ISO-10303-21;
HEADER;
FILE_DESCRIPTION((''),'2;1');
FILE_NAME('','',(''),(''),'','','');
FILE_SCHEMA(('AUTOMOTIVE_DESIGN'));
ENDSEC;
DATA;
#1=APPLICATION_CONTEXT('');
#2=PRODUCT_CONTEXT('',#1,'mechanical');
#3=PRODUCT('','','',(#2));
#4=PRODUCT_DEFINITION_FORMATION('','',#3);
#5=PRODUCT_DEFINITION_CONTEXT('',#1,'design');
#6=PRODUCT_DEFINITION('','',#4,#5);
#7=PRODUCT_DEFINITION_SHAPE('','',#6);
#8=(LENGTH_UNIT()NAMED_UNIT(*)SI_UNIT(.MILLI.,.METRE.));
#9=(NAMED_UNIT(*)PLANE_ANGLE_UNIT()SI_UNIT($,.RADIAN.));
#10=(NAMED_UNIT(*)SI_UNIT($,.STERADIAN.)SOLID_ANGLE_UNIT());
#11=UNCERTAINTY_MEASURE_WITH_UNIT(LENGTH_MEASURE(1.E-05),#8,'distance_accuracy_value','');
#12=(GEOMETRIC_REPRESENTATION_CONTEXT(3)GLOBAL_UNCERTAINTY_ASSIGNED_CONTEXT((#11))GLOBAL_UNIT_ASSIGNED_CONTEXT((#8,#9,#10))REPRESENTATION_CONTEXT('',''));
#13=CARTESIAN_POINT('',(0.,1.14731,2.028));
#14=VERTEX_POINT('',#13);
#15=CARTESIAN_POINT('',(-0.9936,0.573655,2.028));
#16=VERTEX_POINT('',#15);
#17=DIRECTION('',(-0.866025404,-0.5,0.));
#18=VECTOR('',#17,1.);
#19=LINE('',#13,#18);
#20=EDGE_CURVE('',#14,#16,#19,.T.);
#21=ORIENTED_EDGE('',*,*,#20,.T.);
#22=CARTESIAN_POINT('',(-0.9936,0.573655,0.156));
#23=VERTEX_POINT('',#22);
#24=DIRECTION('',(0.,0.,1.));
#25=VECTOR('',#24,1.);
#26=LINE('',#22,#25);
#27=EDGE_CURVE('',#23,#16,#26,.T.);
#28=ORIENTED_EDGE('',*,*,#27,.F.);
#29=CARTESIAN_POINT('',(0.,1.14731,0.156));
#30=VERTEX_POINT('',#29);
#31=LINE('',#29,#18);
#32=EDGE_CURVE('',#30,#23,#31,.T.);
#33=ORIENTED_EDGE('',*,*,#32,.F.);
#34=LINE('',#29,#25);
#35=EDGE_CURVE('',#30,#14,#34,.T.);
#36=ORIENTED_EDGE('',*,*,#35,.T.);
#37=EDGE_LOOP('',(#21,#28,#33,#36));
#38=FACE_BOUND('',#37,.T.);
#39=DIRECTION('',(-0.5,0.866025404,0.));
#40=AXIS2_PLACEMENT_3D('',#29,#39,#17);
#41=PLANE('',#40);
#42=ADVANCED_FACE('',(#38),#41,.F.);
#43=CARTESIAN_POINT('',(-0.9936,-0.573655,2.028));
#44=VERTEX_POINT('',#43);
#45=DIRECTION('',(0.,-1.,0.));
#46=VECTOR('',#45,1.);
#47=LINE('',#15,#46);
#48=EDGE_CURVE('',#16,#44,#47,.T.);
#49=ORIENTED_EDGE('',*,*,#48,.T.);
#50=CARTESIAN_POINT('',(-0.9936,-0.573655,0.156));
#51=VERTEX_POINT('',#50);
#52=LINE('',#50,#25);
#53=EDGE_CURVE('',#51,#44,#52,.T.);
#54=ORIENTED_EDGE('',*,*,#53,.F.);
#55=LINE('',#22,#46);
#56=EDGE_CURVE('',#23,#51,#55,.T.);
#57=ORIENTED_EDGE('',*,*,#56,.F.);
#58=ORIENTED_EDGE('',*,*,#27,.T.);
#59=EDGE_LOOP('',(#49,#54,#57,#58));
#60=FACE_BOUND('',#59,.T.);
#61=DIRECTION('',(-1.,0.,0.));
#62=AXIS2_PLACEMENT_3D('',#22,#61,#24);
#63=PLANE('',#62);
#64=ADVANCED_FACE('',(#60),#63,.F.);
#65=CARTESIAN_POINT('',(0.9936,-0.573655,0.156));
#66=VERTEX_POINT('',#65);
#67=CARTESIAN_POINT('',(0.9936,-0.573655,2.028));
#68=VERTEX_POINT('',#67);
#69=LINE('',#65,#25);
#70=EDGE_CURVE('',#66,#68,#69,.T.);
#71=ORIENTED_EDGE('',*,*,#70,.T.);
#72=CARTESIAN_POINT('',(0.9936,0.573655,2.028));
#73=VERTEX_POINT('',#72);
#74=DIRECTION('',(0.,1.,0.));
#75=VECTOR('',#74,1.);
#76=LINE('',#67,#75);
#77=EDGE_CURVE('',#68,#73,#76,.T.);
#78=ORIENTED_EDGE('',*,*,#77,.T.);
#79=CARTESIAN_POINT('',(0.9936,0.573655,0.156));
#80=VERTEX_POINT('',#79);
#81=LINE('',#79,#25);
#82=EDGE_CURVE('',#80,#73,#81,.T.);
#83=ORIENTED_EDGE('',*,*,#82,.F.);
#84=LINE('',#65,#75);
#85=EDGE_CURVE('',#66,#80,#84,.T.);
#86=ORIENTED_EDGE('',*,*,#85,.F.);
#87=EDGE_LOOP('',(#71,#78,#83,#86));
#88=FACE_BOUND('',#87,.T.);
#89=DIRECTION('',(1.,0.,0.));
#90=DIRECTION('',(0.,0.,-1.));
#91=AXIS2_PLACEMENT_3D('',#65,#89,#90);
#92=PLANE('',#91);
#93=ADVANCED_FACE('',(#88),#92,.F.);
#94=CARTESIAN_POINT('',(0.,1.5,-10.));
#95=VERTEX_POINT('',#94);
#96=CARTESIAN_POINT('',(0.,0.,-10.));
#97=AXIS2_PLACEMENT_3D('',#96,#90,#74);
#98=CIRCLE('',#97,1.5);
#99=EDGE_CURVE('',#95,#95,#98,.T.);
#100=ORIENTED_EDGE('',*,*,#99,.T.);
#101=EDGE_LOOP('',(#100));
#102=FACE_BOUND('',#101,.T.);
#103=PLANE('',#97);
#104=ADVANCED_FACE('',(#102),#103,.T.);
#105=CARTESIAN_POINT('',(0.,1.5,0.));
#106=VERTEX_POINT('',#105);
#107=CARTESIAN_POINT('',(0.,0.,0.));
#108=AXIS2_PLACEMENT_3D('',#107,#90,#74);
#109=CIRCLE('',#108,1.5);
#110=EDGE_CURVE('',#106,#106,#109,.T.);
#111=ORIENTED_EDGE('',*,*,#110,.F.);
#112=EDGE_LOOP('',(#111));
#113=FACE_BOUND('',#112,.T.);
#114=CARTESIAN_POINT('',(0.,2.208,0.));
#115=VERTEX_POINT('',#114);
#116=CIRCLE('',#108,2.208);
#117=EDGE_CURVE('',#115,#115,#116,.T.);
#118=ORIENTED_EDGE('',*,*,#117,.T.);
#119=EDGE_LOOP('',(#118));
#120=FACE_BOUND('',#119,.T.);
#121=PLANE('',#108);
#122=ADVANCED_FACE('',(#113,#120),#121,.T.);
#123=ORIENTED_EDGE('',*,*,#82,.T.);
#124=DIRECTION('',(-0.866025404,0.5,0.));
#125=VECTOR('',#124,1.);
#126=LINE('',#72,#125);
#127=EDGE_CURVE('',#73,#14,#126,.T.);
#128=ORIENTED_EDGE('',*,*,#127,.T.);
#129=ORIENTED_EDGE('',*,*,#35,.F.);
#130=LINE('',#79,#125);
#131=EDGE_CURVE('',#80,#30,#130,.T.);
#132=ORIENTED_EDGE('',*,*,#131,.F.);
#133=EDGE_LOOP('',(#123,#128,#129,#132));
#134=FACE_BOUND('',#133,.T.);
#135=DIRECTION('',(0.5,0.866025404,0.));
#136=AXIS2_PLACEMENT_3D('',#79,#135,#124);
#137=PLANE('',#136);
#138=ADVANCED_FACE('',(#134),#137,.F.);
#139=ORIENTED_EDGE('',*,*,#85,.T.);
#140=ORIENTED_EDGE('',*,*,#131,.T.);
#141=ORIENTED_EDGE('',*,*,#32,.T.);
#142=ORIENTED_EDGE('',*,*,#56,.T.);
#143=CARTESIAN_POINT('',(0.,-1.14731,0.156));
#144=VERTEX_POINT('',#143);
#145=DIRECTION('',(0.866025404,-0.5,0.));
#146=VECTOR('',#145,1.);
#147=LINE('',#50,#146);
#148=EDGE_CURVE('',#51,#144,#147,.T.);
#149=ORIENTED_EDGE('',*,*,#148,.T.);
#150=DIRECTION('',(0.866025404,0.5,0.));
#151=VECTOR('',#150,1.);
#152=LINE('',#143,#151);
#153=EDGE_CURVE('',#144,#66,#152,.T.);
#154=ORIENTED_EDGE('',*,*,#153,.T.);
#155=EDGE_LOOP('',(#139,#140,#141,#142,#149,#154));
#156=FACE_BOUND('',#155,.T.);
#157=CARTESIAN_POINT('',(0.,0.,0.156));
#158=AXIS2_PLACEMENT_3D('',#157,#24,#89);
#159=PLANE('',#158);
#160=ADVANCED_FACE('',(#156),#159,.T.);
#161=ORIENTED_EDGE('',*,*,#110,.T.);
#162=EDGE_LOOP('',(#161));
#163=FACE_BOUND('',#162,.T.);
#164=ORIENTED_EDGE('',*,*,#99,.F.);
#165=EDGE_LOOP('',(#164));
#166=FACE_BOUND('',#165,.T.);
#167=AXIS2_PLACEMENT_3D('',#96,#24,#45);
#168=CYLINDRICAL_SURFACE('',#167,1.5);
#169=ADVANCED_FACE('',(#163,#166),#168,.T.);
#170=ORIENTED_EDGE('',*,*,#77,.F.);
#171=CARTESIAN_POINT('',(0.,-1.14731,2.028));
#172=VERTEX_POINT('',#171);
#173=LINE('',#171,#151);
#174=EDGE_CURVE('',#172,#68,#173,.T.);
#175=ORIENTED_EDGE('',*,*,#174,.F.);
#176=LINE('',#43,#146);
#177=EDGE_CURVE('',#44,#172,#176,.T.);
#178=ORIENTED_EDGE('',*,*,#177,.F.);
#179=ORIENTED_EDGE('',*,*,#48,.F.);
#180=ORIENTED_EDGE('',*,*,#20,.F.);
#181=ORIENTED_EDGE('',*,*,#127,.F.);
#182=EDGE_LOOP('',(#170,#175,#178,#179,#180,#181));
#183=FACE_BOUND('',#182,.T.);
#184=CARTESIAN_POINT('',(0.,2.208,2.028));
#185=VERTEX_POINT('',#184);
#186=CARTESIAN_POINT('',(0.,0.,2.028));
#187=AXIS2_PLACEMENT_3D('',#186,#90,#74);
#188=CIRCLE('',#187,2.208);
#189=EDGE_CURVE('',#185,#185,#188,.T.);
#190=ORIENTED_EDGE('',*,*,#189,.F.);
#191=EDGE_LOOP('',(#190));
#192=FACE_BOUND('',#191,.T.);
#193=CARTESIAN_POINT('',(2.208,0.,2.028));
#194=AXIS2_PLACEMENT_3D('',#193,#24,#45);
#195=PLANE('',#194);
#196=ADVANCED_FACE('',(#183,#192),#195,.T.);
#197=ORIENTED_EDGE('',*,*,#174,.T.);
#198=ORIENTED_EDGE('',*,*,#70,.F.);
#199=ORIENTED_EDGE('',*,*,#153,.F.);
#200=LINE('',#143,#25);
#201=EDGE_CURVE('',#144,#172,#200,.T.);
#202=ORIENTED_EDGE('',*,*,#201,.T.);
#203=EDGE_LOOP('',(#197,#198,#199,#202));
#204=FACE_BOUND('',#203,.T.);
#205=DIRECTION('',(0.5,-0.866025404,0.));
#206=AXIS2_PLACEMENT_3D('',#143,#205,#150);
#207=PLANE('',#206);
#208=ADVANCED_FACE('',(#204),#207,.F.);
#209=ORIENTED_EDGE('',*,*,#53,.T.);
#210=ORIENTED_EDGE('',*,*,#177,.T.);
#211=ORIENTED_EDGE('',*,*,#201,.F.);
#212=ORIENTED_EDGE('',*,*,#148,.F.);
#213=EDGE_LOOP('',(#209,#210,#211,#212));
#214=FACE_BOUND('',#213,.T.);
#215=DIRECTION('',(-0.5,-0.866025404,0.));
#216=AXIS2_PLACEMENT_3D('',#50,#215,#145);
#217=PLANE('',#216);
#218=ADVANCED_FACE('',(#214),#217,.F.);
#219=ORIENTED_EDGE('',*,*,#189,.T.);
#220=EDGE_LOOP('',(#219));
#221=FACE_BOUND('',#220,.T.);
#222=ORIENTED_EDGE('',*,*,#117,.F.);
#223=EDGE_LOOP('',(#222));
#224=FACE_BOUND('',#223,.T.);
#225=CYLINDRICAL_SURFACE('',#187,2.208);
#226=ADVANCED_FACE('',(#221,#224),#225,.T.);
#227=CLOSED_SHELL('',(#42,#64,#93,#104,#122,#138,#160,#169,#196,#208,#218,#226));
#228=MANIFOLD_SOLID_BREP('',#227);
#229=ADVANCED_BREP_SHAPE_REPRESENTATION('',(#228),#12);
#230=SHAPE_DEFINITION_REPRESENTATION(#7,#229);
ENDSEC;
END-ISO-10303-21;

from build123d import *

# Parameters (mm, degrees)
SKETCH_1_W          = 2.208
SKETCH_1_H          = 2.028
SKETCH_2_R          = 1.5
EXTRUDE_1_DEPTH     = 10
CUT_EXTRUDE_1_DEPTH = 1.872


with BuildPart() as part:
    # 草图1 → 旋转1 (revolve)
    with BuildSketch(Plane.XZ, mode=Mode.PRIVATE) as revolve_1_sk:
        with Locations((1.104, 1.014)):
            Rectangle(SKETCH_1_W, SKETCH_1_H)
    revolve(revolve_1_sk.sketch.rotate(Axis((0, 0, 2.028), (0, 0, -1)), 270), axis=Axis((0, 0, 2.028), (0, 0, -1)))

    # 草图2 → 凸台-拉伸1 (add)
    with BuildSketch(Plane(origin=(0, 0, 0), x_dir=(-1, 0, 0), z_dir=(0, 0, -1))):
        with Locations(Location((0, 0, 0), (0, 0, 90))):
            Circle(SKETCH_2_R)
    extrude(amount=EXTRUDE_1_DEPTH)

    # 草图3 → 切除-拉伸1 (cut)
    with BuildSketch(Plane.XY.offset(2.028)):
        Polygon((0.9936, -0.573655227), (0.9936, 0.573655227), (0, 1.147310455), (-0.9936, 0.573655227), (-0.9936, -0.573655227), (0, -1.147310455), align=None)
    extrude(amount=-CUT_EXTRUDE_1_DEPTH, mode=Mode.SUBTRACT)


solid = part.part
